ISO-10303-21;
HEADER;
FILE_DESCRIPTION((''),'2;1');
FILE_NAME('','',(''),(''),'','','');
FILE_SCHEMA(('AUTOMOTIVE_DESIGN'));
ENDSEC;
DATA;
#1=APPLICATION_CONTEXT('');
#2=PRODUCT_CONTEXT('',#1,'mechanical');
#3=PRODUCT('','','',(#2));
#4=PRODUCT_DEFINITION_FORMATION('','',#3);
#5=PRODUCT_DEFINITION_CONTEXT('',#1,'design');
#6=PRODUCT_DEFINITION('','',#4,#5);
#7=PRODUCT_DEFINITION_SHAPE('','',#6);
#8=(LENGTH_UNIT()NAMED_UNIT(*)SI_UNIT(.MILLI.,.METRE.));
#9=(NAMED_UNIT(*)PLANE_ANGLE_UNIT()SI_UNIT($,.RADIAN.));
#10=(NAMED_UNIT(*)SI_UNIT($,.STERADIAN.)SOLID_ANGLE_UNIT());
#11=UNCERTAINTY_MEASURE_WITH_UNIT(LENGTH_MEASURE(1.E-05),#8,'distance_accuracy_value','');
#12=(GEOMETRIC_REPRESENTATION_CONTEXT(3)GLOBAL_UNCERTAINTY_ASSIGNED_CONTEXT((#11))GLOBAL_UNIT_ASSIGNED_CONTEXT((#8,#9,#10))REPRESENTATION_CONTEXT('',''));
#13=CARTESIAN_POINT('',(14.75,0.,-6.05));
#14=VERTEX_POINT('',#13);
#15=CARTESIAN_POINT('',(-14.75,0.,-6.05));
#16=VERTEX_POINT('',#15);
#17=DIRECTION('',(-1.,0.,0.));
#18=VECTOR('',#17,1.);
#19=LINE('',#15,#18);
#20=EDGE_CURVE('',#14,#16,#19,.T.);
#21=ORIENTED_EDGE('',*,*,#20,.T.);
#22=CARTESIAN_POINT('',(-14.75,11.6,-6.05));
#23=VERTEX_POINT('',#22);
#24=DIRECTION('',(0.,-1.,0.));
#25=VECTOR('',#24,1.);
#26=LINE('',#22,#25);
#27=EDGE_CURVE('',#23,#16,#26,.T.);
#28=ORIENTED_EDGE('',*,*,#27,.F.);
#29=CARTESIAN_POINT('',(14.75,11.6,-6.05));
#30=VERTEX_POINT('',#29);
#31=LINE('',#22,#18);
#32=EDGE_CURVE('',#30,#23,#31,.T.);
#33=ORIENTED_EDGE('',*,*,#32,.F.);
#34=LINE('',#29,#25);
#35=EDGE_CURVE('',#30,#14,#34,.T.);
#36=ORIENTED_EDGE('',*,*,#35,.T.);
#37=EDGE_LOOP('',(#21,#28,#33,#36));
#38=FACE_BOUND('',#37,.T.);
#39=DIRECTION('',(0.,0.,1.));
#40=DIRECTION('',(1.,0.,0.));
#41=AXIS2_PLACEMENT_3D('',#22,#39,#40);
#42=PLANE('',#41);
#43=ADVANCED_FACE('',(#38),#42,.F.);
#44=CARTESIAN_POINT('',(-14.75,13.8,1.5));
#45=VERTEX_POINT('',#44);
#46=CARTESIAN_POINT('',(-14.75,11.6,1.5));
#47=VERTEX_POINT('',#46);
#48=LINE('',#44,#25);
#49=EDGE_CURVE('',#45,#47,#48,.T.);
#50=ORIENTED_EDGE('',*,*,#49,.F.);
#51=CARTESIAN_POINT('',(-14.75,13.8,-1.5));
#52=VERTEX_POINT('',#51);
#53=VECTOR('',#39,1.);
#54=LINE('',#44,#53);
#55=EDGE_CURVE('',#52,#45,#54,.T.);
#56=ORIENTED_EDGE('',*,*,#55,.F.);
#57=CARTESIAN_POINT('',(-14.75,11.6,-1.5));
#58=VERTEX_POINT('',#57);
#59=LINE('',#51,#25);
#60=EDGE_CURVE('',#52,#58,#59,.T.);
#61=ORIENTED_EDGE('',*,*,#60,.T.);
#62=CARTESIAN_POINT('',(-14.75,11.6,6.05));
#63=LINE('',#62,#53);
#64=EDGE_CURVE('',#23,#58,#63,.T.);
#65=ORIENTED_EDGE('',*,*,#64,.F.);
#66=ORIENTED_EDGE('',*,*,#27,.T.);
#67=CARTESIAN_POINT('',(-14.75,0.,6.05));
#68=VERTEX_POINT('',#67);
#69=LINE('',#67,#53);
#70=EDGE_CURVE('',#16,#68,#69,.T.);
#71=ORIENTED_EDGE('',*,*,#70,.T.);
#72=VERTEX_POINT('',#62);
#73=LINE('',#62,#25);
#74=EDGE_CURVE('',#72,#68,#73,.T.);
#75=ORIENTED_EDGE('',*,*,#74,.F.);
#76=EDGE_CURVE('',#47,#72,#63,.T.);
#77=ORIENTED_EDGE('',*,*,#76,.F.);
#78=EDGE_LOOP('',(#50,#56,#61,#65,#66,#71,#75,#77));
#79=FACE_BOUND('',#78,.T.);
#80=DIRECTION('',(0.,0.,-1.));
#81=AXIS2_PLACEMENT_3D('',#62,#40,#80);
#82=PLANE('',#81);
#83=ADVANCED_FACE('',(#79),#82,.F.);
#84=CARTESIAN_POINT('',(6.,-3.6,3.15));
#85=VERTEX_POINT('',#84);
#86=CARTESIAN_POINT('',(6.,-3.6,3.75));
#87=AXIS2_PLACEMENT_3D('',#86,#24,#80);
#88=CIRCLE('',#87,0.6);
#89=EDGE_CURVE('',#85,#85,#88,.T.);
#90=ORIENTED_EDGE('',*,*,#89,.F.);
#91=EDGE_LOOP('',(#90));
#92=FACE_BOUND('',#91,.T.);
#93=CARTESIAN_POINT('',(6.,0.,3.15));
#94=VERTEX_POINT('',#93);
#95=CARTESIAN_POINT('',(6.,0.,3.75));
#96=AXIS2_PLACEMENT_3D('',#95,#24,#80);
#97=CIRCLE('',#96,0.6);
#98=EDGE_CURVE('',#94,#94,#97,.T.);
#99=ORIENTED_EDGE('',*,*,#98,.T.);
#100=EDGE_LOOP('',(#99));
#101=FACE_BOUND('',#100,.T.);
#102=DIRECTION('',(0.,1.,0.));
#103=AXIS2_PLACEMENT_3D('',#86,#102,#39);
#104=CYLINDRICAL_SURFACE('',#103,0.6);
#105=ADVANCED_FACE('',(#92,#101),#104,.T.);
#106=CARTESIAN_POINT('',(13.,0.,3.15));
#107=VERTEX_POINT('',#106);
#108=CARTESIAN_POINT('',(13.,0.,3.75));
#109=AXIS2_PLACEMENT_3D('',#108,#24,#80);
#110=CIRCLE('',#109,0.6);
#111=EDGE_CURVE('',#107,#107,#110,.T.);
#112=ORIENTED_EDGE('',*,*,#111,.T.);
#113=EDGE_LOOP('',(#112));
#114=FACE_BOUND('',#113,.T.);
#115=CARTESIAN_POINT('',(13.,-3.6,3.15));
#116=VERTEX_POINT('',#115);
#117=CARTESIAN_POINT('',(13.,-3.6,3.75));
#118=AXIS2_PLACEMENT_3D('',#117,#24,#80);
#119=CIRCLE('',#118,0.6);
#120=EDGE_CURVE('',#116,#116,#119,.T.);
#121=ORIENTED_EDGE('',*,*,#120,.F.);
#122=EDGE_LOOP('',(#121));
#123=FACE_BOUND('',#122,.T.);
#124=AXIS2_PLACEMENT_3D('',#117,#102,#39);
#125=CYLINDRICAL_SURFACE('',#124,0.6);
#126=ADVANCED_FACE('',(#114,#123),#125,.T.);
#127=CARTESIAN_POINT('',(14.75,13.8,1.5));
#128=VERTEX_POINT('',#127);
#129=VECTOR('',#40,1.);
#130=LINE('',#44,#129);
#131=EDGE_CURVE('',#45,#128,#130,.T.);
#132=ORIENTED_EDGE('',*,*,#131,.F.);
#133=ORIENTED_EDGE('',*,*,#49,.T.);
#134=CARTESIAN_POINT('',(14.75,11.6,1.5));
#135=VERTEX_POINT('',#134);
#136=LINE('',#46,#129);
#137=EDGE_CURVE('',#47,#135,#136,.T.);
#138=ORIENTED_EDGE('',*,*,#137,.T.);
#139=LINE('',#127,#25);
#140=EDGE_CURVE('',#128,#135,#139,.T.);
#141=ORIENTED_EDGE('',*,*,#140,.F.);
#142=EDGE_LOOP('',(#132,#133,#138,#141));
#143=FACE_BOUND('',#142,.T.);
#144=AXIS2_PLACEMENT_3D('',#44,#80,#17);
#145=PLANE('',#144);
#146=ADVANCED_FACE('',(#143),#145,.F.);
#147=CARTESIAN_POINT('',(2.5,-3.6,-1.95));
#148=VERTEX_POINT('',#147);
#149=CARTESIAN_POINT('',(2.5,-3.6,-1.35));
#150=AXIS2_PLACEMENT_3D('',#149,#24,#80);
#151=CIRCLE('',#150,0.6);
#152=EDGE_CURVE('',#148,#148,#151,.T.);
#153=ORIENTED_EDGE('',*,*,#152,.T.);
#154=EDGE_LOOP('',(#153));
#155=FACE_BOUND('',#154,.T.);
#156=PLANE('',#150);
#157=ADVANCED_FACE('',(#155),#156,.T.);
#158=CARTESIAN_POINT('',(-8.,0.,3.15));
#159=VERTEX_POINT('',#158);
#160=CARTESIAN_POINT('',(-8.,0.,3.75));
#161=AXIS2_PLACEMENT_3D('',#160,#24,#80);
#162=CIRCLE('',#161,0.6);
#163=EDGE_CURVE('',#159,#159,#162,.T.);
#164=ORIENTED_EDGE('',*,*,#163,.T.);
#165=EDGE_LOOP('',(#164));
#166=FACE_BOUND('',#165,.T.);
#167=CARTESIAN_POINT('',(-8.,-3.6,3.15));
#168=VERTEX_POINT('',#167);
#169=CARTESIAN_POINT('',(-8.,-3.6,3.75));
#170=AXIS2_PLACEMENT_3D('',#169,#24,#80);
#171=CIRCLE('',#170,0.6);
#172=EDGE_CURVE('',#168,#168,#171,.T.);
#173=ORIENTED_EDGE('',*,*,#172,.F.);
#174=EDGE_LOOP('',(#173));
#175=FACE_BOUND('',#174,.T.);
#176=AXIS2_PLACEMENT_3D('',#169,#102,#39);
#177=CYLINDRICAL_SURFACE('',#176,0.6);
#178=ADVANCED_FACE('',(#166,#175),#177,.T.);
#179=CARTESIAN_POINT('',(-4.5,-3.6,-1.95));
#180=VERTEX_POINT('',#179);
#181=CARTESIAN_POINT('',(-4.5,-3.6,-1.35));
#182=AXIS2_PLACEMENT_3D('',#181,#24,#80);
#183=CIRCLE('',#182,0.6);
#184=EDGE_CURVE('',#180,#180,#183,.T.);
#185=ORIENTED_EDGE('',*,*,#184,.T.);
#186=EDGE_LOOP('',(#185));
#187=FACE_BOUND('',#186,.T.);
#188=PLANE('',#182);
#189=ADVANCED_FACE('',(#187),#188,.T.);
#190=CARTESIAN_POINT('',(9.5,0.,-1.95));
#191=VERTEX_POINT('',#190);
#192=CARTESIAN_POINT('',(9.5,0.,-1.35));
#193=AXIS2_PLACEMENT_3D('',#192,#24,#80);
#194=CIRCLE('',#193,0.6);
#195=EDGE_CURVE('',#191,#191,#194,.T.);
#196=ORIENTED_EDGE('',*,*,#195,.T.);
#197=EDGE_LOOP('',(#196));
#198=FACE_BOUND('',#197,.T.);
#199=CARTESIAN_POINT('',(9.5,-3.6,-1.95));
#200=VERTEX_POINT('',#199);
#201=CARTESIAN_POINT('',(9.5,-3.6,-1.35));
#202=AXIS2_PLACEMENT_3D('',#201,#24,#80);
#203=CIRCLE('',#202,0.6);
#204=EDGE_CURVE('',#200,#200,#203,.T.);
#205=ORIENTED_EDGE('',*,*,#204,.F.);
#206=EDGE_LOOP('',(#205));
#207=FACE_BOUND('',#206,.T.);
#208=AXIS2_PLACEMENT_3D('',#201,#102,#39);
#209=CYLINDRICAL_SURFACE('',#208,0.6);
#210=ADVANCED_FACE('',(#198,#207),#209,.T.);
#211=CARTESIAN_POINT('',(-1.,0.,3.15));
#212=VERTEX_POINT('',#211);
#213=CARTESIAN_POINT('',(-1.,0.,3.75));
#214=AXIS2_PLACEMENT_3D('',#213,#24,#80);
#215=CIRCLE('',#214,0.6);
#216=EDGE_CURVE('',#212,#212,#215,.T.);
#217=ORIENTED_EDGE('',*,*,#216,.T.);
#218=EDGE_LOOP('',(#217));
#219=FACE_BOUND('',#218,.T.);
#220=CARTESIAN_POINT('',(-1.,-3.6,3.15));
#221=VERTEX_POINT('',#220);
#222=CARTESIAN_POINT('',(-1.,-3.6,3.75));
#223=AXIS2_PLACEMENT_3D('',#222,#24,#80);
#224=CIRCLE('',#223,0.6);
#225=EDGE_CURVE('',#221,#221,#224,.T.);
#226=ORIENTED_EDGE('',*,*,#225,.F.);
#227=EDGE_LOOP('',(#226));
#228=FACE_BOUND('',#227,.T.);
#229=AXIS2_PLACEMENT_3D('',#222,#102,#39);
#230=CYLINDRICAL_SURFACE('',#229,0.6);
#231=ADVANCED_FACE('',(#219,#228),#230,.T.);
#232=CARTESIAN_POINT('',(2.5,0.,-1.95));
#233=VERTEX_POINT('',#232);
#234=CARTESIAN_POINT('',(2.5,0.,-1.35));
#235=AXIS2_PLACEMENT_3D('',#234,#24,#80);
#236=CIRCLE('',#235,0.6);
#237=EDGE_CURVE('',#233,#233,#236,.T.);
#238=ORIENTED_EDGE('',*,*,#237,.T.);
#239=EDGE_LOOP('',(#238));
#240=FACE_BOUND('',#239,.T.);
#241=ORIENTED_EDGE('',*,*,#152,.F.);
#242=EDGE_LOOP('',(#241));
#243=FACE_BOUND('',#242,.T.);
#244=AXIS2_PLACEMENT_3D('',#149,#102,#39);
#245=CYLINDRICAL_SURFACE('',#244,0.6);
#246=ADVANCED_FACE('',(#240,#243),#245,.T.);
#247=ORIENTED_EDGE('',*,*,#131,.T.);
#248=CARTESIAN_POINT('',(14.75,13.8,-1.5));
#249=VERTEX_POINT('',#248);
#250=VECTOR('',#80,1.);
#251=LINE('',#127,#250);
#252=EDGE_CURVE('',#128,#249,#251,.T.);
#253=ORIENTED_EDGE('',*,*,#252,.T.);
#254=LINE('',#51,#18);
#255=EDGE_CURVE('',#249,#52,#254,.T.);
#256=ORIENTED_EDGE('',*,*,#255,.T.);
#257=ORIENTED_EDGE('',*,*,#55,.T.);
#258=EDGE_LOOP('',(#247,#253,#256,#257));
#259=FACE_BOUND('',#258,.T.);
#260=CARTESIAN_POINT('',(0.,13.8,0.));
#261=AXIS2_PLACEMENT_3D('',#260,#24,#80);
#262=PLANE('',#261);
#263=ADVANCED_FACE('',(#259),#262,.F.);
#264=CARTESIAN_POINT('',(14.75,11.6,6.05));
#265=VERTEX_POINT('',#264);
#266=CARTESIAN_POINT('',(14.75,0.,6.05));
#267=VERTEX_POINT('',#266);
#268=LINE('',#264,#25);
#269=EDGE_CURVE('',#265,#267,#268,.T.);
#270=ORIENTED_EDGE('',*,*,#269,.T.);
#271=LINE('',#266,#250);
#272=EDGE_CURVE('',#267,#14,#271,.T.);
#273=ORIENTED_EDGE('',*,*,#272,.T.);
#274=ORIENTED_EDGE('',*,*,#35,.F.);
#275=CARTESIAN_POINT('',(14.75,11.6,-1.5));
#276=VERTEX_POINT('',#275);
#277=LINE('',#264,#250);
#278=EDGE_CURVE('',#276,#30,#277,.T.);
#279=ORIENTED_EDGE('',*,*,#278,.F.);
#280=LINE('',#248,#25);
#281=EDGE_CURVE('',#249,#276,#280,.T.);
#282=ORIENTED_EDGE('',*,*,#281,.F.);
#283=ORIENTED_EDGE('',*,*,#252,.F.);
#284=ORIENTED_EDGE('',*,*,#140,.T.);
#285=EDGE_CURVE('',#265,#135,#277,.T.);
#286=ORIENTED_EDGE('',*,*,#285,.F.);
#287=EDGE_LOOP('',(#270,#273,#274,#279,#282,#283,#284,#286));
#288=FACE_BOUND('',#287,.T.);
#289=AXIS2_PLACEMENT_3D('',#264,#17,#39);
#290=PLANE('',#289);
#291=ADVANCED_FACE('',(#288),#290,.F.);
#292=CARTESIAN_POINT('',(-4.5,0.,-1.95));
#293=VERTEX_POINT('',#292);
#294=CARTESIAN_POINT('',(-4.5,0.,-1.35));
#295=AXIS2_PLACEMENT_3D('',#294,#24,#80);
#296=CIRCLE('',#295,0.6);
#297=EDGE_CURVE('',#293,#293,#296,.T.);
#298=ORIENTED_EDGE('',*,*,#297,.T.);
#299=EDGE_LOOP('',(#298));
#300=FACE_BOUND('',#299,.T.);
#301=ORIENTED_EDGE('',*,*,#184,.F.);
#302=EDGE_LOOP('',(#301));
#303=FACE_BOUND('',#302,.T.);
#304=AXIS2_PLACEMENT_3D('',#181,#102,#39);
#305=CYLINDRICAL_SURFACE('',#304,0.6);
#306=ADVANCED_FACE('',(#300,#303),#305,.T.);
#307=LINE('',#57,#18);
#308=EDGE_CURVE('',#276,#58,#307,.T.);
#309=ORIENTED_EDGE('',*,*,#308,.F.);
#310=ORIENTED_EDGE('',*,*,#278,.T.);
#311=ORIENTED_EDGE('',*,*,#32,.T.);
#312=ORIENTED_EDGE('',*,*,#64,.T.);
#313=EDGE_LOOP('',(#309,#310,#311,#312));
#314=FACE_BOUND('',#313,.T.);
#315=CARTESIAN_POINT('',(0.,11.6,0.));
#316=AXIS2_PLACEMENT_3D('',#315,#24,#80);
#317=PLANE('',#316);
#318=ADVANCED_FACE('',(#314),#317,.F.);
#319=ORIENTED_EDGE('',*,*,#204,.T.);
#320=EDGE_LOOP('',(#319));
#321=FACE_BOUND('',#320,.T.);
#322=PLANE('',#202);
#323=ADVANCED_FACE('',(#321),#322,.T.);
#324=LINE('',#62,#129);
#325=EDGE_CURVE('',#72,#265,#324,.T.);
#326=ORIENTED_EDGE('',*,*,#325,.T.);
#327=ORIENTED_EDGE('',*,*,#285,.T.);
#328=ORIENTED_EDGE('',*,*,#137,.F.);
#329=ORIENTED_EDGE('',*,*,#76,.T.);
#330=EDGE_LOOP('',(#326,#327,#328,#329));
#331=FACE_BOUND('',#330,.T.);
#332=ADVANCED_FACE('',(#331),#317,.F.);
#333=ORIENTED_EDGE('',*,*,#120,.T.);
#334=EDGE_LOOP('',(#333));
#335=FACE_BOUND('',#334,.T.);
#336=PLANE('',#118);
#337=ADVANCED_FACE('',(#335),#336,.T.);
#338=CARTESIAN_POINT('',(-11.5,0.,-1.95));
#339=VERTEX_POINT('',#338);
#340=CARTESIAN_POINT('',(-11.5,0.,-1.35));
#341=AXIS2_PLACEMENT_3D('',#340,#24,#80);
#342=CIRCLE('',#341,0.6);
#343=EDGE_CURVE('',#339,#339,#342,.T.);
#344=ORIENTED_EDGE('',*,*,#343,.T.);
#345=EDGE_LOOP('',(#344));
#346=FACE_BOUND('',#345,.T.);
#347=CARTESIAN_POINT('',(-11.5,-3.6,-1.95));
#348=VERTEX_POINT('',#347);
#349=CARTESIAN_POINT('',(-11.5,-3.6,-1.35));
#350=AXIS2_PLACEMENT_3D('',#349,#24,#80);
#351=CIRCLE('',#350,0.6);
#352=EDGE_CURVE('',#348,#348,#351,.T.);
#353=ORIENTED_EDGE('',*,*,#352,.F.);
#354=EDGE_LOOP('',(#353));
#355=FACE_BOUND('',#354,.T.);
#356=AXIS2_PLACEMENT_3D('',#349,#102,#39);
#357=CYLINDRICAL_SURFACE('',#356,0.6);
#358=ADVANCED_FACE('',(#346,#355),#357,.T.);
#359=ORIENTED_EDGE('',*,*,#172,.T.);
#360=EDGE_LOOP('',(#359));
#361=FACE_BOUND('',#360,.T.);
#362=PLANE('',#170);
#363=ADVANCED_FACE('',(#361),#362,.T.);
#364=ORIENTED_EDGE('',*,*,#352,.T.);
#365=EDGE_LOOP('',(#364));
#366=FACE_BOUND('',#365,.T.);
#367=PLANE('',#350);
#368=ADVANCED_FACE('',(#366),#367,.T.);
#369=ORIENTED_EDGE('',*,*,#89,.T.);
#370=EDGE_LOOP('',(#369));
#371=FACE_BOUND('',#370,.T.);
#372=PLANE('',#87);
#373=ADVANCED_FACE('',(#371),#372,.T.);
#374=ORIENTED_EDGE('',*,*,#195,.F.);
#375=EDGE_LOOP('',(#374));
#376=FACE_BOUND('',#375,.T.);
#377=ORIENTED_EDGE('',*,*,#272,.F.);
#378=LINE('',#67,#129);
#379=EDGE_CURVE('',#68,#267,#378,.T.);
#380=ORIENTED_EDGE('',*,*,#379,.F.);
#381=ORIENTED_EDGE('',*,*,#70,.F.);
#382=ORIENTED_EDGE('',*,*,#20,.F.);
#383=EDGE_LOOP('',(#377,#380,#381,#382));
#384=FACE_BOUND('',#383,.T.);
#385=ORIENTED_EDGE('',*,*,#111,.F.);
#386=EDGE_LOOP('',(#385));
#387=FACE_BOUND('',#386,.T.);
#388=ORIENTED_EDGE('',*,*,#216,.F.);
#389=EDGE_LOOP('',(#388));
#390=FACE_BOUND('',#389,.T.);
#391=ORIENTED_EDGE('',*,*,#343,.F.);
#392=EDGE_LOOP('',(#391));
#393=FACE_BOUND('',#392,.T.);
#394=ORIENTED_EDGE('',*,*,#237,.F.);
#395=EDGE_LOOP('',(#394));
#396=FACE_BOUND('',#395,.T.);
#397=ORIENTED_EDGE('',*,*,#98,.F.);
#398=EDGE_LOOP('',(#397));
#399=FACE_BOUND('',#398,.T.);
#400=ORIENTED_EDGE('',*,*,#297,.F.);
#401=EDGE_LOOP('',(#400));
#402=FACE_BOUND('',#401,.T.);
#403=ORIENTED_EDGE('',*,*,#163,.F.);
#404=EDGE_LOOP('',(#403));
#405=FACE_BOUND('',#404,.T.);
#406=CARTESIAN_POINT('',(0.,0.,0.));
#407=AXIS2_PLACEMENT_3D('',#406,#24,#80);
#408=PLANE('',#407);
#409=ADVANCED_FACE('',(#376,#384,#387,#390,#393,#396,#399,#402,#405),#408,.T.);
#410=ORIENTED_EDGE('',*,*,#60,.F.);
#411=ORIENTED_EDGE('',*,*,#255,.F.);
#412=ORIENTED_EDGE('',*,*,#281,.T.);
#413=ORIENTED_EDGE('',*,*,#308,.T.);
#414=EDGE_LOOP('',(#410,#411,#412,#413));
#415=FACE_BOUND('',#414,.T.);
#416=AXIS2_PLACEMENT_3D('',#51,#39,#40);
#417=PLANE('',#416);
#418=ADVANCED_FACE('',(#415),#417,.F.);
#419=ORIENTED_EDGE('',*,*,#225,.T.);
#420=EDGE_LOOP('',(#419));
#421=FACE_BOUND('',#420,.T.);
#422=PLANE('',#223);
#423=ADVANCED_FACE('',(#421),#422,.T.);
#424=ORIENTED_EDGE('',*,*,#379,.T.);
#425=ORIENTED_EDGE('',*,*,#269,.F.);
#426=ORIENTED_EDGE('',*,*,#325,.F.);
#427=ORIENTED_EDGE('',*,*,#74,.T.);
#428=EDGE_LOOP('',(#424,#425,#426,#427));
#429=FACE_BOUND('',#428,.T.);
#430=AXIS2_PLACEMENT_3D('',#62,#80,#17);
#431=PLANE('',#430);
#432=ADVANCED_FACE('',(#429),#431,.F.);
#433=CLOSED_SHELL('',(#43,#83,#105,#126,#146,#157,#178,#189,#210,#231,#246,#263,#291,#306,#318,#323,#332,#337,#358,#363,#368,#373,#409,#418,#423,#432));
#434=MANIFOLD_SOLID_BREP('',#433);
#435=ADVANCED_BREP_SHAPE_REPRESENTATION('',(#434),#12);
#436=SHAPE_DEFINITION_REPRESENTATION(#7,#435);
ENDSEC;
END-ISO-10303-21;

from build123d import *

# Parameters (mm, degrees)
CROQUIS1_W              = 29.5
CROQUIS1_H              = 12.1
SALIENTE_EXTRUIR1_DEPTH = 11.6
CROQUIS2_W              = 29.5
CROQUIS2_H              = 3
SALIENTE_EXTRUIR2_DEPTH = 2.2
CROQUIS3_R              = 0.6
SALIENTE_EXTRUIR3_DEPTH = 3.6


with BuildPart() as part:
    # Croquis1 → Saliente-Extruir1 (new body)
    with BuildSketch(Plane(origin=(0, 0, 0), x_dir=(1, 0, 0), z_dir=(0, 1, 0))):
        Rectangle(CROQUIS1_W, CROQUIS1_H)
    extrude(amount=SALIENTE_EXTRUIR1_DEPTH)

    # Croquis2 → Saliente-Extruir2 (add)
    with BuildSketch(Plane(origin=(0, 11.6, 0), x_dir=(1, 0, 0), z_dir=(0, 1, 0))):
        Rectangle(CROQUIS2_W, CROQUIS2_H)
    extrude(amount=SALIENTE_EXTRUIR2_DEPTH)

    # Croquis3 → Saliente-Extruir3 (add)
    with BuildSketch(Plane.XZ):
        with Locations(Location((-11.5, -1.35, 0), (0, 0, 270))):
            Circle(CROQUIS3_R)
        with Locations(Location((-8, 3.75, 0), (0, 0, 270))):
            Circle(CROQUIS3_R)
        with Locations(Location((-4.5, -1.35, 0), (0, 0, 270))):
            Circle(CROQUIS3_R)
        with Locations(Location((-1, 3.75, 0), (0, 0, 270))):
            Circle(CROQUIS3_R)
        with Locations(Location((2.5, -1.35, 0), (0, 0, 270))):
            Circle(CROQUIS3_R)
        with Locations(Location((6, 3.75, 0), (0, 0, 270))):
            Circle(CROQUIS3_R)
        with Locations(Location((9.5, -1.35, 0), (0, 0, 270))):
            Circle(CROQUIS3_R)
        with Locations(Location((13, 3.75, 0), (0, 0, 270))):
            Circle(CROQUIS3_R)
    extrude(amount=SALIENTE_EXTRUIR3_DEPTH)


solid = part.part
